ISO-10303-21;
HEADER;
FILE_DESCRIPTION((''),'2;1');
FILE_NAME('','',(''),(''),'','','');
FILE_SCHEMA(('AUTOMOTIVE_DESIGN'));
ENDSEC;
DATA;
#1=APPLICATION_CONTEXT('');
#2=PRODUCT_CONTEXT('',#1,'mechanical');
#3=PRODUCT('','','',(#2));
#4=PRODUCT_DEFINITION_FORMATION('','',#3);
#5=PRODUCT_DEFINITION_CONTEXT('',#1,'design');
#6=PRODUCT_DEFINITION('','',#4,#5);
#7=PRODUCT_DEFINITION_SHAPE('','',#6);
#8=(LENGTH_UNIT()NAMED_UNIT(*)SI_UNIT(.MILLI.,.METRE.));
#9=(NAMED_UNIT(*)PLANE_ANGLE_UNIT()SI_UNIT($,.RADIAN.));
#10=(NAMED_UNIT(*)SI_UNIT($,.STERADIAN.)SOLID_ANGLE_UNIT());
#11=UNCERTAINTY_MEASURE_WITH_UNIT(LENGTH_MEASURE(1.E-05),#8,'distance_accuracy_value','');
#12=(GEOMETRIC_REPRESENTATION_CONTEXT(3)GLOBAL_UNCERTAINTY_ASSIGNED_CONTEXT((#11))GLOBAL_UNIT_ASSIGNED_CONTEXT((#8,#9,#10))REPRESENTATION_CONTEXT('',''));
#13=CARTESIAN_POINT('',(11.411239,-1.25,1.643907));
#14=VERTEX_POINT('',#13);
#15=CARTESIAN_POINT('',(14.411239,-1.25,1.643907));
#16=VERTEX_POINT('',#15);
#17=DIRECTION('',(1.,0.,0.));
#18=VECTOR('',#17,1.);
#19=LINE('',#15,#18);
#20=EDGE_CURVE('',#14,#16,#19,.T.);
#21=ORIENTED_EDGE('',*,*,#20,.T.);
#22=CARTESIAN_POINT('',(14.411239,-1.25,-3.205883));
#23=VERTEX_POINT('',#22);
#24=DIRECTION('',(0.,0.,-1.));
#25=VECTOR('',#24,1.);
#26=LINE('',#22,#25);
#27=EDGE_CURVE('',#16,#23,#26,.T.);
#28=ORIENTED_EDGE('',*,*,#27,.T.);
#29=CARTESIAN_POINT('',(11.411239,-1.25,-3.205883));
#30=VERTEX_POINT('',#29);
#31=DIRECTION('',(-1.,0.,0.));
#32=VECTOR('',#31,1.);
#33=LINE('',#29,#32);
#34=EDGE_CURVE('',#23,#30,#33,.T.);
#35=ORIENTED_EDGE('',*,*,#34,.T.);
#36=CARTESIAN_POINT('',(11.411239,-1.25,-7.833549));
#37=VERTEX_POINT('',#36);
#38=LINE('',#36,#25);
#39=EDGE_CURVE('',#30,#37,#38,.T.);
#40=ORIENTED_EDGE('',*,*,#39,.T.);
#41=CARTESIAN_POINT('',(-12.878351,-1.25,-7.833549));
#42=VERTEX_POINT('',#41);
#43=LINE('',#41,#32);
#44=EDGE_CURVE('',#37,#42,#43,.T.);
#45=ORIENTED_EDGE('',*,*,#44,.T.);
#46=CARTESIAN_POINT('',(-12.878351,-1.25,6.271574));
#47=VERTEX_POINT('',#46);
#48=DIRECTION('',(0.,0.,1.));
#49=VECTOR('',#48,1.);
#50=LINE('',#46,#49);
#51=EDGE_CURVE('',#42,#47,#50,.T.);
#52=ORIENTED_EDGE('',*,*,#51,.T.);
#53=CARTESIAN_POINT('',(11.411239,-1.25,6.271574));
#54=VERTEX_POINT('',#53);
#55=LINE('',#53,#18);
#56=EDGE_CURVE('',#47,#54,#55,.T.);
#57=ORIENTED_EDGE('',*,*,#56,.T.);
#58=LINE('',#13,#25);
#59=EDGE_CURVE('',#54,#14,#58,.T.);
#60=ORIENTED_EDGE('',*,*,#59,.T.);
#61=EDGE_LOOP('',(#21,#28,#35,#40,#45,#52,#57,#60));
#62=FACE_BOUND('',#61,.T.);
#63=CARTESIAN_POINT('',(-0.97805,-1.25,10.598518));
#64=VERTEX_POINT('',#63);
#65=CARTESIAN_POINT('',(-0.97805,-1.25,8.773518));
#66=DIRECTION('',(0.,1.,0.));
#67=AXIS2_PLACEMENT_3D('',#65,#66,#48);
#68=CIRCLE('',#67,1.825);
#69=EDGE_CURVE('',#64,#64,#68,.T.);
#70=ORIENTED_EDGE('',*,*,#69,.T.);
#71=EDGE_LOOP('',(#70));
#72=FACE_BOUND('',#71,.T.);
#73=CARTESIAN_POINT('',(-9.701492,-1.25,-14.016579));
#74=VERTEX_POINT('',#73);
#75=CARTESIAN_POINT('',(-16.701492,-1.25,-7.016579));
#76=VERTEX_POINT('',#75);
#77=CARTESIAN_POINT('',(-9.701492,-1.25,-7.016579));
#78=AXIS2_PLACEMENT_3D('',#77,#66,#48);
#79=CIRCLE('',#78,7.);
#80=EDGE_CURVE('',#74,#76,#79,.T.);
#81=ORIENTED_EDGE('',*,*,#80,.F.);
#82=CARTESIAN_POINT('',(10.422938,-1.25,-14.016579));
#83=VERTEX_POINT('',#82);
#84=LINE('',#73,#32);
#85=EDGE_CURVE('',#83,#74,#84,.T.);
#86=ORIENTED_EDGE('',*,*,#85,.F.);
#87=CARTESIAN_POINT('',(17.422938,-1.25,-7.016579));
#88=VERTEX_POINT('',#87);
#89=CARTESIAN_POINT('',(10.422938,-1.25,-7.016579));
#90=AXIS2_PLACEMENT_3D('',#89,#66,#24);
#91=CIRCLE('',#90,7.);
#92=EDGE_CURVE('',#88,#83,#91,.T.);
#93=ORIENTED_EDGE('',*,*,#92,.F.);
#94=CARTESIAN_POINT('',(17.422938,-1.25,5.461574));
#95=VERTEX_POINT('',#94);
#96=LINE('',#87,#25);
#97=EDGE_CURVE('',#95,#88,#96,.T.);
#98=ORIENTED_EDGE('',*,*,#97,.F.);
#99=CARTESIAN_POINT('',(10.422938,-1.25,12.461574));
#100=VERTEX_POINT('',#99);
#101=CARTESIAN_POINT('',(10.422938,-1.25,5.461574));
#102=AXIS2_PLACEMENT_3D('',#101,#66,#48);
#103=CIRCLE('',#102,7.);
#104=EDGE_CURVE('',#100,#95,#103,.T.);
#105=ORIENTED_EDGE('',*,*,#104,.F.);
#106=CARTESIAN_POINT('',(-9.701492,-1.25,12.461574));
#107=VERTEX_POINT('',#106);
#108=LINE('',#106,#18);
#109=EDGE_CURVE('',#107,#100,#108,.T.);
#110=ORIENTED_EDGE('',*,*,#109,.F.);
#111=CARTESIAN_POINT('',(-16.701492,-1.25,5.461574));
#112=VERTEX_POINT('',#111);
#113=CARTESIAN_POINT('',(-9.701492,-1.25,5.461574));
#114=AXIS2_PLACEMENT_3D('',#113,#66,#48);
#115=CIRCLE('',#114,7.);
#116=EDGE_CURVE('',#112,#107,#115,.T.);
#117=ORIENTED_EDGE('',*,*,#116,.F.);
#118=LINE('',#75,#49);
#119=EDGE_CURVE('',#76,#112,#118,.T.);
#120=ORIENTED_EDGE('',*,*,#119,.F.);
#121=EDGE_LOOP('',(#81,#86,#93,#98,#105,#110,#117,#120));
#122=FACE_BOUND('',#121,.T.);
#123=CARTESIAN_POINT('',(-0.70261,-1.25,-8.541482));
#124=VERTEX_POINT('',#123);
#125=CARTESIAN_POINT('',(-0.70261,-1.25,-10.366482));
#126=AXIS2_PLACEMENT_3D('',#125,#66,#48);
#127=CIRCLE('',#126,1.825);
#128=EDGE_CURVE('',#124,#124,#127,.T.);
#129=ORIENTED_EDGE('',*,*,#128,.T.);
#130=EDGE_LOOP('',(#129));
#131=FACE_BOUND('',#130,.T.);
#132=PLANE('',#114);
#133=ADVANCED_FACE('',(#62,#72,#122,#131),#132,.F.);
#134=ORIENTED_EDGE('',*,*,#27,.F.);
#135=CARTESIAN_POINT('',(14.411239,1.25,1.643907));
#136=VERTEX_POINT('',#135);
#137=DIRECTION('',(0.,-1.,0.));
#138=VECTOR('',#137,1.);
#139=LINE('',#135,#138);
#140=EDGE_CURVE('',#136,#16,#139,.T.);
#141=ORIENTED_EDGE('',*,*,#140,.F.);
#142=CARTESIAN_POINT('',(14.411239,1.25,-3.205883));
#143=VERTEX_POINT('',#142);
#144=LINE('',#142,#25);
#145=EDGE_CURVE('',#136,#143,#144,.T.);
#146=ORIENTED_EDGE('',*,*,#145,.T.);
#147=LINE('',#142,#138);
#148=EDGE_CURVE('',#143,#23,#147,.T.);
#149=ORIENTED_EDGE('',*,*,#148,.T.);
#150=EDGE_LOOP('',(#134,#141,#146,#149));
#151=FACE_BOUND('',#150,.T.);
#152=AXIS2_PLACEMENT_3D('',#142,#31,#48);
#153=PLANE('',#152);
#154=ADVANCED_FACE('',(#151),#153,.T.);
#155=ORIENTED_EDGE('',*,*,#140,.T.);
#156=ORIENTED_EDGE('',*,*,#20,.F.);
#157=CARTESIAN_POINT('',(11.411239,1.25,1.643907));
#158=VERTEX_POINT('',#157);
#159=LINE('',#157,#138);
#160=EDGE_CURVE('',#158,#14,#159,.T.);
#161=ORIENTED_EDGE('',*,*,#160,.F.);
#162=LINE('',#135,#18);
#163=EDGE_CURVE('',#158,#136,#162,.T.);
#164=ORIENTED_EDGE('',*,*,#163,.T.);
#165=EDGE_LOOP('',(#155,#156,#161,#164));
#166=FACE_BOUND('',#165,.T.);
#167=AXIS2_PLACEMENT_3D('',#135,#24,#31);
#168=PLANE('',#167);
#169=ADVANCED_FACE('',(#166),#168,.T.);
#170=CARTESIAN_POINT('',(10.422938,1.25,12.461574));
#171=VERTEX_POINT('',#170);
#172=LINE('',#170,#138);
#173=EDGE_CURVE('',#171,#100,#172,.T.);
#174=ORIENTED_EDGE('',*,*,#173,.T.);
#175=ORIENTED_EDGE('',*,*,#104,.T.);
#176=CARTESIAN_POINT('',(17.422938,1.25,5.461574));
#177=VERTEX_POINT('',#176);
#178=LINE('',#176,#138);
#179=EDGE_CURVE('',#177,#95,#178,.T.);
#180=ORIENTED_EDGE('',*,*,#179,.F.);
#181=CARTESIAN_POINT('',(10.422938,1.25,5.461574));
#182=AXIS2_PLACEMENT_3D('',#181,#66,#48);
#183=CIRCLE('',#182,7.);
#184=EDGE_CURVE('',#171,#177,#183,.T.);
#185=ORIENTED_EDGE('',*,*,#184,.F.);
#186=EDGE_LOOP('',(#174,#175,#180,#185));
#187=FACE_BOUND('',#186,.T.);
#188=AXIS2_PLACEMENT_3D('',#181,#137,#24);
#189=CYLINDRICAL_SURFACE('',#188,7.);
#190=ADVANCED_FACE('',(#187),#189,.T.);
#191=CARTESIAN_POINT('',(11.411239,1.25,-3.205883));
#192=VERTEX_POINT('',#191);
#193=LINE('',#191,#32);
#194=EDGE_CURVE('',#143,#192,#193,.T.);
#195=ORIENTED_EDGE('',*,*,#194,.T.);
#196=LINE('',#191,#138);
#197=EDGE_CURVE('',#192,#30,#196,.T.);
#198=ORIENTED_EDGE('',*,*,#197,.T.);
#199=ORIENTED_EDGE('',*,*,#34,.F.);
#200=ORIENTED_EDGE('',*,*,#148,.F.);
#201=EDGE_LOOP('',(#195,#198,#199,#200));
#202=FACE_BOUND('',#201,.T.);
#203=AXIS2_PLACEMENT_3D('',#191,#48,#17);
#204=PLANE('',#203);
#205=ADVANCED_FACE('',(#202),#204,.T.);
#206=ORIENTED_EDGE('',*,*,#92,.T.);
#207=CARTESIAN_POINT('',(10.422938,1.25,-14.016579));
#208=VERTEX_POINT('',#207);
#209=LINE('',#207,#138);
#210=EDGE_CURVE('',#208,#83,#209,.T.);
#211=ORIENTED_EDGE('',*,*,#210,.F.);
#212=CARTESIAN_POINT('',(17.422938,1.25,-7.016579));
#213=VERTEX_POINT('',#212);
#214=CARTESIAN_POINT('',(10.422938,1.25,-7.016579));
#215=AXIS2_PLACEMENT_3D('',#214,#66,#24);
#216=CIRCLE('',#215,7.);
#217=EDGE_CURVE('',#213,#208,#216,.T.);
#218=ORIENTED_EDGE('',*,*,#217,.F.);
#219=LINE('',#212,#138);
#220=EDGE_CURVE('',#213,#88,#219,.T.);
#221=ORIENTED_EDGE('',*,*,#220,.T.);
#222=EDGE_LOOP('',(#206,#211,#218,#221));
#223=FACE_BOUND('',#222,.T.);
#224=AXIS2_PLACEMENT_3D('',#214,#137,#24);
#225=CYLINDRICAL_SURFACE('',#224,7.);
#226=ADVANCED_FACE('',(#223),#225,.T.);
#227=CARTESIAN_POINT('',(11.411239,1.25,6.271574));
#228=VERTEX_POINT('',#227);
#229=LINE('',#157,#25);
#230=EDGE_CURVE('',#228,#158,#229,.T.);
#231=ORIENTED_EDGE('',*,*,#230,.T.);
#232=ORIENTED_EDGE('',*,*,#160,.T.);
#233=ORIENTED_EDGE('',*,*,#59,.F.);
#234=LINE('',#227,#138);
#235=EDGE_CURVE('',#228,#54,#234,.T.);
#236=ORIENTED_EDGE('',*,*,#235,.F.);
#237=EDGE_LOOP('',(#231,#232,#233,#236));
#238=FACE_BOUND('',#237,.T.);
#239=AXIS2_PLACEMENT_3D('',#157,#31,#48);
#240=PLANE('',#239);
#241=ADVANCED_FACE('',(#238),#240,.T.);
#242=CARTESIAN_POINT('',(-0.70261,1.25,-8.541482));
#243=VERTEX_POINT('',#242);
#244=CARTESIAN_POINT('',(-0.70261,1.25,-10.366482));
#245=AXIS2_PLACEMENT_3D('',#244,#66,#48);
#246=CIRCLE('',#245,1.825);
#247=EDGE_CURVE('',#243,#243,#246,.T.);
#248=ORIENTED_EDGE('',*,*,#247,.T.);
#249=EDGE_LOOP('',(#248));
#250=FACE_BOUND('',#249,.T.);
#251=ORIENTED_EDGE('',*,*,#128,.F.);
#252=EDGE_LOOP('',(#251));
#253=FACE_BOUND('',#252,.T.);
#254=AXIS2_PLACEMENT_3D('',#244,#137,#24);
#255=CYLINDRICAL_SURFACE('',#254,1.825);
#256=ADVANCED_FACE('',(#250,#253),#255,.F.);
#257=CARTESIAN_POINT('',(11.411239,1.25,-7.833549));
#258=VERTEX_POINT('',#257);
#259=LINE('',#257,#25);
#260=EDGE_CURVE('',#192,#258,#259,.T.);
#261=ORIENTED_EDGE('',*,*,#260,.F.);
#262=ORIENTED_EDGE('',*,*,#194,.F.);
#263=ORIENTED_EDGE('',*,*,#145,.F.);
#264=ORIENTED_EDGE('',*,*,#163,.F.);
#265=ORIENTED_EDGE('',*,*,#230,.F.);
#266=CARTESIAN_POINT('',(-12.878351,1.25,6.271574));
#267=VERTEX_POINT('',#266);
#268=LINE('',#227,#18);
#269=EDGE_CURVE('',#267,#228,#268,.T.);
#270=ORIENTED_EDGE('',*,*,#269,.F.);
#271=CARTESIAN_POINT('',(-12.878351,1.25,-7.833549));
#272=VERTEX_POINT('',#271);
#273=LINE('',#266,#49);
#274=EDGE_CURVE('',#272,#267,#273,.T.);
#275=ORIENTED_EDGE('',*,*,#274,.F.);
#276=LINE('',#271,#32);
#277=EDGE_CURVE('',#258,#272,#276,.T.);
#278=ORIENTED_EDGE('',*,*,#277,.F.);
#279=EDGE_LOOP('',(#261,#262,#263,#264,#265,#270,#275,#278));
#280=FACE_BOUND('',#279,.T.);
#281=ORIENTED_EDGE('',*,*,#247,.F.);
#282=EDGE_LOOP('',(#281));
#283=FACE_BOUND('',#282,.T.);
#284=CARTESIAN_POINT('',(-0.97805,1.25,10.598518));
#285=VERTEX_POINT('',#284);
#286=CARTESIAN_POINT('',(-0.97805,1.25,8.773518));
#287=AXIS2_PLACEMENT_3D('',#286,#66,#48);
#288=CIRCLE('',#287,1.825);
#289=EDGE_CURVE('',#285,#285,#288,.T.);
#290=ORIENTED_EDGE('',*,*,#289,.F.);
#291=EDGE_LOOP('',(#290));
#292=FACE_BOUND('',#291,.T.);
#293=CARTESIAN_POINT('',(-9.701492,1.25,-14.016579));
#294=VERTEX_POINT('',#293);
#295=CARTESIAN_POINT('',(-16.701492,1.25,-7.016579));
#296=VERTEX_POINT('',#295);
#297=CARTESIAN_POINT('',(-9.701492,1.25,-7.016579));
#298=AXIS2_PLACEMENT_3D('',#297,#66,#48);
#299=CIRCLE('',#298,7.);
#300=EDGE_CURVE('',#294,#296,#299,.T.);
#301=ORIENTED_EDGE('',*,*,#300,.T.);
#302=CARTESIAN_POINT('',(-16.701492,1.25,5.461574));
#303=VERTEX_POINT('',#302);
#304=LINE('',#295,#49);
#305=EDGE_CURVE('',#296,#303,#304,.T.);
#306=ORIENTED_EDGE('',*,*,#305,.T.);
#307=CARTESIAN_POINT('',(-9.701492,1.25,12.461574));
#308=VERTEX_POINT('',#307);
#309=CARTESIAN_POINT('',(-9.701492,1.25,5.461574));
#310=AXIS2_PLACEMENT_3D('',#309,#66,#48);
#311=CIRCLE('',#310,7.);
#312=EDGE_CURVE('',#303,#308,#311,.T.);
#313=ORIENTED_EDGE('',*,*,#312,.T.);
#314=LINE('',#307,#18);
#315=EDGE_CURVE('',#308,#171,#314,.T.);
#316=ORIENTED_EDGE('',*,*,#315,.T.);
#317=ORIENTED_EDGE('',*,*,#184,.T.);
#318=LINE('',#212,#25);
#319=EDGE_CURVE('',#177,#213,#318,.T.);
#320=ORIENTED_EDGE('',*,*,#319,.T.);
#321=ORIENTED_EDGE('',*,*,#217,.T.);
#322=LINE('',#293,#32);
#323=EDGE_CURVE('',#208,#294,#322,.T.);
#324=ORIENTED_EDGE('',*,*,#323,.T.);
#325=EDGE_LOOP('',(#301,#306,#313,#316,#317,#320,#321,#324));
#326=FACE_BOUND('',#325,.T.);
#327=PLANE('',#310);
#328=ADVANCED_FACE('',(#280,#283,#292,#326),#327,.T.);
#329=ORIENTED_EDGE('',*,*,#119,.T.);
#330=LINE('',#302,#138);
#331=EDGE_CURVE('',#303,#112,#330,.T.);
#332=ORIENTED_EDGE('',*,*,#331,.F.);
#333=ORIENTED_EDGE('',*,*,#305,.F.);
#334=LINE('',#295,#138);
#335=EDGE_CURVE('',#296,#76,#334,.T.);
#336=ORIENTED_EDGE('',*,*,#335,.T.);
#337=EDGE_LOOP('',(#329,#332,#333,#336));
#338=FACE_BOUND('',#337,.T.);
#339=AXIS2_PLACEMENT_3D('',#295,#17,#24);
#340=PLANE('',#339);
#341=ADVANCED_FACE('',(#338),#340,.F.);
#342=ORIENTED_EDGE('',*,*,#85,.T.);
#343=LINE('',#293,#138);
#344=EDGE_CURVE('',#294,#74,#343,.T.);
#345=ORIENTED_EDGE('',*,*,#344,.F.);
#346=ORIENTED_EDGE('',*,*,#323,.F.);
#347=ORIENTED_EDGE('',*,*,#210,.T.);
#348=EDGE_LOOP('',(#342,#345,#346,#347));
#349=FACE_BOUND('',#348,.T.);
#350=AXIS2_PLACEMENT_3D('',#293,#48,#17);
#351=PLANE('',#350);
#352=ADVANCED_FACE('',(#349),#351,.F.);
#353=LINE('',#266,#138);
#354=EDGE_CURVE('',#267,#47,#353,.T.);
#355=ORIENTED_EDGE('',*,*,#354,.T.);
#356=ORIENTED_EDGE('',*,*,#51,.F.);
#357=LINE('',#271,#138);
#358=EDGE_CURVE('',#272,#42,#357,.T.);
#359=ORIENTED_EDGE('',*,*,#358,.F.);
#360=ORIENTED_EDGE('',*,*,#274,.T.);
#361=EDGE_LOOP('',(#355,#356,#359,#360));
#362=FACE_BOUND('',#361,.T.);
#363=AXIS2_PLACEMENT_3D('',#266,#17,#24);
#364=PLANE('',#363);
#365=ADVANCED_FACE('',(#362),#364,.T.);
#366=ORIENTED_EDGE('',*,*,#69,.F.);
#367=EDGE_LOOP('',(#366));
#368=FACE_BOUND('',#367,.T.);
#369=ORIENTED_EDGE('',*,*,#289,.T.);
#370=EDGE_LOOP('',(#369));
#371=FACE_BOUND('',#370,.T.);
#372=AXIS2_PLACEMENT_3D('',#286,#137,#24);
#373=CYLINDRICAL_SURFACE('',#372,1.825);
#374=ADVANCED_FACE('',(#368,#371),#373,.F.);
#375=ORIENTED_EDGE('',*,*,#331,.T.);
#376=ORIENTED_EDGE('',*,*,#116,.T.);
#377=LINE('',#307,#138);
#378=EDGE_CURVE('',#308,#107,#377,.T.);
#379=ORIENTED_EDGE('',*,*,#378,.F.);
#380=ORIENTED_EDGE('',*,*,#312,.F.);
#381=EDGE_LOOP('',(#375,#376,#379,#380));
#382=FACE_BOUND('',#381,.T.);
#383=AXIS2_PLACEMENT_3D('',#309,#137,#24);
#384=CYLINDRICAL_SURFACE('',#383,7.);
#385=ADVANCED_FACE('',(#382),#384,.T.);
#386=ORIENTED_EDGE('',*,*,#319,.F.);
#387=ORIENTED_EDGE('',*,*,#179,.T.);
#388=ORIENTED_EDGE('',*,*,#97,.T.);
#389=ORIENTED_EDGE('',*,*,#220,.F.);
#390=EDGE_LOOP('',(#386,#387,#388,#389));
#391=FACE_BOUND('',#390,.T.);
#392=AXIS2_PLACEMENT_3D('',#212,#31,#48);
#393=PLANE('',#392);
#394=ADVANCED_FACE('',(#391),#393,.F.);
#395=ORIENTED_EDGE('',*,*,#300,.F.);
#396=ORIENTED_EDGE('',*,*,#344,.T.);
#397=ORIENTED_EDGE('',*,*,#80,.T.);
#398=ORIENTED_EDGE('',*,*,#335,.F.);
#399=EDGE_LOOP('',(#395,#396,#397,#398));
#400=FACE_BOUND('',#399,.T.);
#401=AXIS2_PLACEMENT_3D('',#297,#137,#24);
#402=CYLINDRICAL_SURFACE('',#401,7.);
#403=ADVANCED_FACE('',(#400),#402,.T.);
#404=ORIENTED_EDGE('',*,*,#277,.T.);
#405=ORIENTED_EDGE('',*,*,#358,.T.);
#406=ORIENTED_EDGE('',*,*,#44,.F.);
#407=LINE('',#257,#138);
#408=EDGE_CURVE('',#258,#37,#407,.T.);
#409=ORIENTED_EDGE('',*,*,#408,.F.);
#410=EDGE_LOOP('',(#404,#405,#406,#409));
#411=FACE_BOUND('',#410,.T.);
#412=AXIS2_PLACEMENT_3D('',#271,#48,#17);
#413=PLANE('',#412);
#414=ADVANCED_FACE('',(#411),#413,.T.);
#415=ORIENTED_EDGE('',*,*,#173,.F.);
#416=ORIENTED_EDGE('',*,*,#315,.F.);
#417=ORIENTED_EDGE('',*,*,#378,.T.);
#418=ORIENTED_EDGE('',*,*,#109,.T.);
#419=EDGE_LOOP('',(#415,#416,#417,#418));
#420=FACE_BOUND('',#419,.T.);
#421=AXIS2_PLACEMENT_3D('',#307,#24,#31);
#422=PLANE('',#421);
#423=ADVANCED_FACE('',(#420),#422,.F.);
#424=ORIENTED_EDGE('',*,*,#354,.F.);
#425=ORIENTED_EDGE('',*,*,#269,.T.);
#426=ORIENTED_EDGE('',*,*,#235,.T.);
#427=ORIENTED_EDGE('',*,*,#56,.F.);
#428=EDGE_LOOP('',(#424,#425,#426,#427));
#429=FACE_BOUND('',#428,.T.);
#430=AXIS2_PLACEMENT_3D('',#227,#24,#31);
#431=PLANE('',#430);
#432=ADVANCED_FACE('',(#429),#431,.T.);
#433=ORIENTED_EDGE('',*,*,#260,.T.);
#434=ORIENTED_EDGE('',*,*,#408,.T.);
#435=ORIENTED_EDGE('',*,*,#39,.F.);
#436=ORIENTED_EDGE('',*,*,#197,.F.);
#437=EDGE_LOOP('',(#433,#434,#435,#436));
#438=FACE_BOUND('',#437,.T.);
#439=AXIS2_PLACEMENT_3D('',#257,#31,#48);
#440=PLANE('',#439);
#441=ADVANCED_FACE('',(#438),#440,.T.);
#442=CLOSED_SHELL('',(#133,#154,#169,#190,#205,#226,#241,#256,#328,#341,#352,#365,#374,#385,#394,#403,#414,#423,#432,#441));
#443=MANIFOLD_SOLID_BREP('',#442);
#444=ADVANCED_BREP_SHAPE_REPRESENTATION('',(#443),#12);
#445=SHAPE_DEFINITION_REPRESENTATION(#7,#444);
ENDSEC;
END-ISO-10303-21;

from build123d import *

# Parameters (mm, degrees)
SKETCH2_R           = 1.825
BOSS_EXTRUDE1_DEPTH = 1.25


with BuildPart() as part:
    # Sketch2 → Boss-Extrude1 (new, symmetric)
    with BuildSketch(Plane(origin=(0, 0, 0), x_dir=(1, 0, 0), z_dir=(0, 1, 0))):
        with BuildLine():
            Line((-9.701491638, 14.016578985), (10.422938362, 14.016578985))
            ThreePointArc((10.422938362, 14.016578985), (15.37268583, 11.966326454), (17.422938362, 7.016578985))
            Line((17.422938362, 7.016578985), (17.422938362, -5.461573784))
            ThreePointArc((17.422938362, -5.461573784), (15.37268583, -10.411321253), (10.422938362, -12.461573784))
            Line((10.422938362, -12.461573784), (-9.701491638, -12.461573784))
            ThreePointArc((-9.701491638, -12.461573784), (-14.651239107, -10.411321253), (-16.701491638, -5.461573784))
            Line((-16.701491638, -5.461573784), (-16.701491638, 7.016578985))
            ThreePointArc((-16.701491638, 7.016578985), (-14.651239107, 11.966326454), (-9.701491638, 14.016578985))
        make_face()
        with Locations(Location((-0.702610465, 10.366481865, 0), (0, 0, 270))):
            Circle(SKETCH2_R, mode=Mode.SUBTRACT)
        with Locations(Location((-0.97805, -8.773518135, 0), (0, 0, 270))):
            Circle(SKETCH2_R, mode=Mode.SUBTRACT)
        Polygon((-12.878350873, 7.83354898), (11.411239127, 7.83354898), (11.411239127, 3.2058826), (14.411239127, 3.2058826), (14.411239127, -1.6439074), (11.411239127, -1.6439074), (11.411239127, -6.27157378), (-12.878350873, -6.27157378), align=None, mode=Mode.SUBTRACT)
    extrude(amount=BOSS_EXTRUDE1_DEPTH, both=True)


solid = part.part
